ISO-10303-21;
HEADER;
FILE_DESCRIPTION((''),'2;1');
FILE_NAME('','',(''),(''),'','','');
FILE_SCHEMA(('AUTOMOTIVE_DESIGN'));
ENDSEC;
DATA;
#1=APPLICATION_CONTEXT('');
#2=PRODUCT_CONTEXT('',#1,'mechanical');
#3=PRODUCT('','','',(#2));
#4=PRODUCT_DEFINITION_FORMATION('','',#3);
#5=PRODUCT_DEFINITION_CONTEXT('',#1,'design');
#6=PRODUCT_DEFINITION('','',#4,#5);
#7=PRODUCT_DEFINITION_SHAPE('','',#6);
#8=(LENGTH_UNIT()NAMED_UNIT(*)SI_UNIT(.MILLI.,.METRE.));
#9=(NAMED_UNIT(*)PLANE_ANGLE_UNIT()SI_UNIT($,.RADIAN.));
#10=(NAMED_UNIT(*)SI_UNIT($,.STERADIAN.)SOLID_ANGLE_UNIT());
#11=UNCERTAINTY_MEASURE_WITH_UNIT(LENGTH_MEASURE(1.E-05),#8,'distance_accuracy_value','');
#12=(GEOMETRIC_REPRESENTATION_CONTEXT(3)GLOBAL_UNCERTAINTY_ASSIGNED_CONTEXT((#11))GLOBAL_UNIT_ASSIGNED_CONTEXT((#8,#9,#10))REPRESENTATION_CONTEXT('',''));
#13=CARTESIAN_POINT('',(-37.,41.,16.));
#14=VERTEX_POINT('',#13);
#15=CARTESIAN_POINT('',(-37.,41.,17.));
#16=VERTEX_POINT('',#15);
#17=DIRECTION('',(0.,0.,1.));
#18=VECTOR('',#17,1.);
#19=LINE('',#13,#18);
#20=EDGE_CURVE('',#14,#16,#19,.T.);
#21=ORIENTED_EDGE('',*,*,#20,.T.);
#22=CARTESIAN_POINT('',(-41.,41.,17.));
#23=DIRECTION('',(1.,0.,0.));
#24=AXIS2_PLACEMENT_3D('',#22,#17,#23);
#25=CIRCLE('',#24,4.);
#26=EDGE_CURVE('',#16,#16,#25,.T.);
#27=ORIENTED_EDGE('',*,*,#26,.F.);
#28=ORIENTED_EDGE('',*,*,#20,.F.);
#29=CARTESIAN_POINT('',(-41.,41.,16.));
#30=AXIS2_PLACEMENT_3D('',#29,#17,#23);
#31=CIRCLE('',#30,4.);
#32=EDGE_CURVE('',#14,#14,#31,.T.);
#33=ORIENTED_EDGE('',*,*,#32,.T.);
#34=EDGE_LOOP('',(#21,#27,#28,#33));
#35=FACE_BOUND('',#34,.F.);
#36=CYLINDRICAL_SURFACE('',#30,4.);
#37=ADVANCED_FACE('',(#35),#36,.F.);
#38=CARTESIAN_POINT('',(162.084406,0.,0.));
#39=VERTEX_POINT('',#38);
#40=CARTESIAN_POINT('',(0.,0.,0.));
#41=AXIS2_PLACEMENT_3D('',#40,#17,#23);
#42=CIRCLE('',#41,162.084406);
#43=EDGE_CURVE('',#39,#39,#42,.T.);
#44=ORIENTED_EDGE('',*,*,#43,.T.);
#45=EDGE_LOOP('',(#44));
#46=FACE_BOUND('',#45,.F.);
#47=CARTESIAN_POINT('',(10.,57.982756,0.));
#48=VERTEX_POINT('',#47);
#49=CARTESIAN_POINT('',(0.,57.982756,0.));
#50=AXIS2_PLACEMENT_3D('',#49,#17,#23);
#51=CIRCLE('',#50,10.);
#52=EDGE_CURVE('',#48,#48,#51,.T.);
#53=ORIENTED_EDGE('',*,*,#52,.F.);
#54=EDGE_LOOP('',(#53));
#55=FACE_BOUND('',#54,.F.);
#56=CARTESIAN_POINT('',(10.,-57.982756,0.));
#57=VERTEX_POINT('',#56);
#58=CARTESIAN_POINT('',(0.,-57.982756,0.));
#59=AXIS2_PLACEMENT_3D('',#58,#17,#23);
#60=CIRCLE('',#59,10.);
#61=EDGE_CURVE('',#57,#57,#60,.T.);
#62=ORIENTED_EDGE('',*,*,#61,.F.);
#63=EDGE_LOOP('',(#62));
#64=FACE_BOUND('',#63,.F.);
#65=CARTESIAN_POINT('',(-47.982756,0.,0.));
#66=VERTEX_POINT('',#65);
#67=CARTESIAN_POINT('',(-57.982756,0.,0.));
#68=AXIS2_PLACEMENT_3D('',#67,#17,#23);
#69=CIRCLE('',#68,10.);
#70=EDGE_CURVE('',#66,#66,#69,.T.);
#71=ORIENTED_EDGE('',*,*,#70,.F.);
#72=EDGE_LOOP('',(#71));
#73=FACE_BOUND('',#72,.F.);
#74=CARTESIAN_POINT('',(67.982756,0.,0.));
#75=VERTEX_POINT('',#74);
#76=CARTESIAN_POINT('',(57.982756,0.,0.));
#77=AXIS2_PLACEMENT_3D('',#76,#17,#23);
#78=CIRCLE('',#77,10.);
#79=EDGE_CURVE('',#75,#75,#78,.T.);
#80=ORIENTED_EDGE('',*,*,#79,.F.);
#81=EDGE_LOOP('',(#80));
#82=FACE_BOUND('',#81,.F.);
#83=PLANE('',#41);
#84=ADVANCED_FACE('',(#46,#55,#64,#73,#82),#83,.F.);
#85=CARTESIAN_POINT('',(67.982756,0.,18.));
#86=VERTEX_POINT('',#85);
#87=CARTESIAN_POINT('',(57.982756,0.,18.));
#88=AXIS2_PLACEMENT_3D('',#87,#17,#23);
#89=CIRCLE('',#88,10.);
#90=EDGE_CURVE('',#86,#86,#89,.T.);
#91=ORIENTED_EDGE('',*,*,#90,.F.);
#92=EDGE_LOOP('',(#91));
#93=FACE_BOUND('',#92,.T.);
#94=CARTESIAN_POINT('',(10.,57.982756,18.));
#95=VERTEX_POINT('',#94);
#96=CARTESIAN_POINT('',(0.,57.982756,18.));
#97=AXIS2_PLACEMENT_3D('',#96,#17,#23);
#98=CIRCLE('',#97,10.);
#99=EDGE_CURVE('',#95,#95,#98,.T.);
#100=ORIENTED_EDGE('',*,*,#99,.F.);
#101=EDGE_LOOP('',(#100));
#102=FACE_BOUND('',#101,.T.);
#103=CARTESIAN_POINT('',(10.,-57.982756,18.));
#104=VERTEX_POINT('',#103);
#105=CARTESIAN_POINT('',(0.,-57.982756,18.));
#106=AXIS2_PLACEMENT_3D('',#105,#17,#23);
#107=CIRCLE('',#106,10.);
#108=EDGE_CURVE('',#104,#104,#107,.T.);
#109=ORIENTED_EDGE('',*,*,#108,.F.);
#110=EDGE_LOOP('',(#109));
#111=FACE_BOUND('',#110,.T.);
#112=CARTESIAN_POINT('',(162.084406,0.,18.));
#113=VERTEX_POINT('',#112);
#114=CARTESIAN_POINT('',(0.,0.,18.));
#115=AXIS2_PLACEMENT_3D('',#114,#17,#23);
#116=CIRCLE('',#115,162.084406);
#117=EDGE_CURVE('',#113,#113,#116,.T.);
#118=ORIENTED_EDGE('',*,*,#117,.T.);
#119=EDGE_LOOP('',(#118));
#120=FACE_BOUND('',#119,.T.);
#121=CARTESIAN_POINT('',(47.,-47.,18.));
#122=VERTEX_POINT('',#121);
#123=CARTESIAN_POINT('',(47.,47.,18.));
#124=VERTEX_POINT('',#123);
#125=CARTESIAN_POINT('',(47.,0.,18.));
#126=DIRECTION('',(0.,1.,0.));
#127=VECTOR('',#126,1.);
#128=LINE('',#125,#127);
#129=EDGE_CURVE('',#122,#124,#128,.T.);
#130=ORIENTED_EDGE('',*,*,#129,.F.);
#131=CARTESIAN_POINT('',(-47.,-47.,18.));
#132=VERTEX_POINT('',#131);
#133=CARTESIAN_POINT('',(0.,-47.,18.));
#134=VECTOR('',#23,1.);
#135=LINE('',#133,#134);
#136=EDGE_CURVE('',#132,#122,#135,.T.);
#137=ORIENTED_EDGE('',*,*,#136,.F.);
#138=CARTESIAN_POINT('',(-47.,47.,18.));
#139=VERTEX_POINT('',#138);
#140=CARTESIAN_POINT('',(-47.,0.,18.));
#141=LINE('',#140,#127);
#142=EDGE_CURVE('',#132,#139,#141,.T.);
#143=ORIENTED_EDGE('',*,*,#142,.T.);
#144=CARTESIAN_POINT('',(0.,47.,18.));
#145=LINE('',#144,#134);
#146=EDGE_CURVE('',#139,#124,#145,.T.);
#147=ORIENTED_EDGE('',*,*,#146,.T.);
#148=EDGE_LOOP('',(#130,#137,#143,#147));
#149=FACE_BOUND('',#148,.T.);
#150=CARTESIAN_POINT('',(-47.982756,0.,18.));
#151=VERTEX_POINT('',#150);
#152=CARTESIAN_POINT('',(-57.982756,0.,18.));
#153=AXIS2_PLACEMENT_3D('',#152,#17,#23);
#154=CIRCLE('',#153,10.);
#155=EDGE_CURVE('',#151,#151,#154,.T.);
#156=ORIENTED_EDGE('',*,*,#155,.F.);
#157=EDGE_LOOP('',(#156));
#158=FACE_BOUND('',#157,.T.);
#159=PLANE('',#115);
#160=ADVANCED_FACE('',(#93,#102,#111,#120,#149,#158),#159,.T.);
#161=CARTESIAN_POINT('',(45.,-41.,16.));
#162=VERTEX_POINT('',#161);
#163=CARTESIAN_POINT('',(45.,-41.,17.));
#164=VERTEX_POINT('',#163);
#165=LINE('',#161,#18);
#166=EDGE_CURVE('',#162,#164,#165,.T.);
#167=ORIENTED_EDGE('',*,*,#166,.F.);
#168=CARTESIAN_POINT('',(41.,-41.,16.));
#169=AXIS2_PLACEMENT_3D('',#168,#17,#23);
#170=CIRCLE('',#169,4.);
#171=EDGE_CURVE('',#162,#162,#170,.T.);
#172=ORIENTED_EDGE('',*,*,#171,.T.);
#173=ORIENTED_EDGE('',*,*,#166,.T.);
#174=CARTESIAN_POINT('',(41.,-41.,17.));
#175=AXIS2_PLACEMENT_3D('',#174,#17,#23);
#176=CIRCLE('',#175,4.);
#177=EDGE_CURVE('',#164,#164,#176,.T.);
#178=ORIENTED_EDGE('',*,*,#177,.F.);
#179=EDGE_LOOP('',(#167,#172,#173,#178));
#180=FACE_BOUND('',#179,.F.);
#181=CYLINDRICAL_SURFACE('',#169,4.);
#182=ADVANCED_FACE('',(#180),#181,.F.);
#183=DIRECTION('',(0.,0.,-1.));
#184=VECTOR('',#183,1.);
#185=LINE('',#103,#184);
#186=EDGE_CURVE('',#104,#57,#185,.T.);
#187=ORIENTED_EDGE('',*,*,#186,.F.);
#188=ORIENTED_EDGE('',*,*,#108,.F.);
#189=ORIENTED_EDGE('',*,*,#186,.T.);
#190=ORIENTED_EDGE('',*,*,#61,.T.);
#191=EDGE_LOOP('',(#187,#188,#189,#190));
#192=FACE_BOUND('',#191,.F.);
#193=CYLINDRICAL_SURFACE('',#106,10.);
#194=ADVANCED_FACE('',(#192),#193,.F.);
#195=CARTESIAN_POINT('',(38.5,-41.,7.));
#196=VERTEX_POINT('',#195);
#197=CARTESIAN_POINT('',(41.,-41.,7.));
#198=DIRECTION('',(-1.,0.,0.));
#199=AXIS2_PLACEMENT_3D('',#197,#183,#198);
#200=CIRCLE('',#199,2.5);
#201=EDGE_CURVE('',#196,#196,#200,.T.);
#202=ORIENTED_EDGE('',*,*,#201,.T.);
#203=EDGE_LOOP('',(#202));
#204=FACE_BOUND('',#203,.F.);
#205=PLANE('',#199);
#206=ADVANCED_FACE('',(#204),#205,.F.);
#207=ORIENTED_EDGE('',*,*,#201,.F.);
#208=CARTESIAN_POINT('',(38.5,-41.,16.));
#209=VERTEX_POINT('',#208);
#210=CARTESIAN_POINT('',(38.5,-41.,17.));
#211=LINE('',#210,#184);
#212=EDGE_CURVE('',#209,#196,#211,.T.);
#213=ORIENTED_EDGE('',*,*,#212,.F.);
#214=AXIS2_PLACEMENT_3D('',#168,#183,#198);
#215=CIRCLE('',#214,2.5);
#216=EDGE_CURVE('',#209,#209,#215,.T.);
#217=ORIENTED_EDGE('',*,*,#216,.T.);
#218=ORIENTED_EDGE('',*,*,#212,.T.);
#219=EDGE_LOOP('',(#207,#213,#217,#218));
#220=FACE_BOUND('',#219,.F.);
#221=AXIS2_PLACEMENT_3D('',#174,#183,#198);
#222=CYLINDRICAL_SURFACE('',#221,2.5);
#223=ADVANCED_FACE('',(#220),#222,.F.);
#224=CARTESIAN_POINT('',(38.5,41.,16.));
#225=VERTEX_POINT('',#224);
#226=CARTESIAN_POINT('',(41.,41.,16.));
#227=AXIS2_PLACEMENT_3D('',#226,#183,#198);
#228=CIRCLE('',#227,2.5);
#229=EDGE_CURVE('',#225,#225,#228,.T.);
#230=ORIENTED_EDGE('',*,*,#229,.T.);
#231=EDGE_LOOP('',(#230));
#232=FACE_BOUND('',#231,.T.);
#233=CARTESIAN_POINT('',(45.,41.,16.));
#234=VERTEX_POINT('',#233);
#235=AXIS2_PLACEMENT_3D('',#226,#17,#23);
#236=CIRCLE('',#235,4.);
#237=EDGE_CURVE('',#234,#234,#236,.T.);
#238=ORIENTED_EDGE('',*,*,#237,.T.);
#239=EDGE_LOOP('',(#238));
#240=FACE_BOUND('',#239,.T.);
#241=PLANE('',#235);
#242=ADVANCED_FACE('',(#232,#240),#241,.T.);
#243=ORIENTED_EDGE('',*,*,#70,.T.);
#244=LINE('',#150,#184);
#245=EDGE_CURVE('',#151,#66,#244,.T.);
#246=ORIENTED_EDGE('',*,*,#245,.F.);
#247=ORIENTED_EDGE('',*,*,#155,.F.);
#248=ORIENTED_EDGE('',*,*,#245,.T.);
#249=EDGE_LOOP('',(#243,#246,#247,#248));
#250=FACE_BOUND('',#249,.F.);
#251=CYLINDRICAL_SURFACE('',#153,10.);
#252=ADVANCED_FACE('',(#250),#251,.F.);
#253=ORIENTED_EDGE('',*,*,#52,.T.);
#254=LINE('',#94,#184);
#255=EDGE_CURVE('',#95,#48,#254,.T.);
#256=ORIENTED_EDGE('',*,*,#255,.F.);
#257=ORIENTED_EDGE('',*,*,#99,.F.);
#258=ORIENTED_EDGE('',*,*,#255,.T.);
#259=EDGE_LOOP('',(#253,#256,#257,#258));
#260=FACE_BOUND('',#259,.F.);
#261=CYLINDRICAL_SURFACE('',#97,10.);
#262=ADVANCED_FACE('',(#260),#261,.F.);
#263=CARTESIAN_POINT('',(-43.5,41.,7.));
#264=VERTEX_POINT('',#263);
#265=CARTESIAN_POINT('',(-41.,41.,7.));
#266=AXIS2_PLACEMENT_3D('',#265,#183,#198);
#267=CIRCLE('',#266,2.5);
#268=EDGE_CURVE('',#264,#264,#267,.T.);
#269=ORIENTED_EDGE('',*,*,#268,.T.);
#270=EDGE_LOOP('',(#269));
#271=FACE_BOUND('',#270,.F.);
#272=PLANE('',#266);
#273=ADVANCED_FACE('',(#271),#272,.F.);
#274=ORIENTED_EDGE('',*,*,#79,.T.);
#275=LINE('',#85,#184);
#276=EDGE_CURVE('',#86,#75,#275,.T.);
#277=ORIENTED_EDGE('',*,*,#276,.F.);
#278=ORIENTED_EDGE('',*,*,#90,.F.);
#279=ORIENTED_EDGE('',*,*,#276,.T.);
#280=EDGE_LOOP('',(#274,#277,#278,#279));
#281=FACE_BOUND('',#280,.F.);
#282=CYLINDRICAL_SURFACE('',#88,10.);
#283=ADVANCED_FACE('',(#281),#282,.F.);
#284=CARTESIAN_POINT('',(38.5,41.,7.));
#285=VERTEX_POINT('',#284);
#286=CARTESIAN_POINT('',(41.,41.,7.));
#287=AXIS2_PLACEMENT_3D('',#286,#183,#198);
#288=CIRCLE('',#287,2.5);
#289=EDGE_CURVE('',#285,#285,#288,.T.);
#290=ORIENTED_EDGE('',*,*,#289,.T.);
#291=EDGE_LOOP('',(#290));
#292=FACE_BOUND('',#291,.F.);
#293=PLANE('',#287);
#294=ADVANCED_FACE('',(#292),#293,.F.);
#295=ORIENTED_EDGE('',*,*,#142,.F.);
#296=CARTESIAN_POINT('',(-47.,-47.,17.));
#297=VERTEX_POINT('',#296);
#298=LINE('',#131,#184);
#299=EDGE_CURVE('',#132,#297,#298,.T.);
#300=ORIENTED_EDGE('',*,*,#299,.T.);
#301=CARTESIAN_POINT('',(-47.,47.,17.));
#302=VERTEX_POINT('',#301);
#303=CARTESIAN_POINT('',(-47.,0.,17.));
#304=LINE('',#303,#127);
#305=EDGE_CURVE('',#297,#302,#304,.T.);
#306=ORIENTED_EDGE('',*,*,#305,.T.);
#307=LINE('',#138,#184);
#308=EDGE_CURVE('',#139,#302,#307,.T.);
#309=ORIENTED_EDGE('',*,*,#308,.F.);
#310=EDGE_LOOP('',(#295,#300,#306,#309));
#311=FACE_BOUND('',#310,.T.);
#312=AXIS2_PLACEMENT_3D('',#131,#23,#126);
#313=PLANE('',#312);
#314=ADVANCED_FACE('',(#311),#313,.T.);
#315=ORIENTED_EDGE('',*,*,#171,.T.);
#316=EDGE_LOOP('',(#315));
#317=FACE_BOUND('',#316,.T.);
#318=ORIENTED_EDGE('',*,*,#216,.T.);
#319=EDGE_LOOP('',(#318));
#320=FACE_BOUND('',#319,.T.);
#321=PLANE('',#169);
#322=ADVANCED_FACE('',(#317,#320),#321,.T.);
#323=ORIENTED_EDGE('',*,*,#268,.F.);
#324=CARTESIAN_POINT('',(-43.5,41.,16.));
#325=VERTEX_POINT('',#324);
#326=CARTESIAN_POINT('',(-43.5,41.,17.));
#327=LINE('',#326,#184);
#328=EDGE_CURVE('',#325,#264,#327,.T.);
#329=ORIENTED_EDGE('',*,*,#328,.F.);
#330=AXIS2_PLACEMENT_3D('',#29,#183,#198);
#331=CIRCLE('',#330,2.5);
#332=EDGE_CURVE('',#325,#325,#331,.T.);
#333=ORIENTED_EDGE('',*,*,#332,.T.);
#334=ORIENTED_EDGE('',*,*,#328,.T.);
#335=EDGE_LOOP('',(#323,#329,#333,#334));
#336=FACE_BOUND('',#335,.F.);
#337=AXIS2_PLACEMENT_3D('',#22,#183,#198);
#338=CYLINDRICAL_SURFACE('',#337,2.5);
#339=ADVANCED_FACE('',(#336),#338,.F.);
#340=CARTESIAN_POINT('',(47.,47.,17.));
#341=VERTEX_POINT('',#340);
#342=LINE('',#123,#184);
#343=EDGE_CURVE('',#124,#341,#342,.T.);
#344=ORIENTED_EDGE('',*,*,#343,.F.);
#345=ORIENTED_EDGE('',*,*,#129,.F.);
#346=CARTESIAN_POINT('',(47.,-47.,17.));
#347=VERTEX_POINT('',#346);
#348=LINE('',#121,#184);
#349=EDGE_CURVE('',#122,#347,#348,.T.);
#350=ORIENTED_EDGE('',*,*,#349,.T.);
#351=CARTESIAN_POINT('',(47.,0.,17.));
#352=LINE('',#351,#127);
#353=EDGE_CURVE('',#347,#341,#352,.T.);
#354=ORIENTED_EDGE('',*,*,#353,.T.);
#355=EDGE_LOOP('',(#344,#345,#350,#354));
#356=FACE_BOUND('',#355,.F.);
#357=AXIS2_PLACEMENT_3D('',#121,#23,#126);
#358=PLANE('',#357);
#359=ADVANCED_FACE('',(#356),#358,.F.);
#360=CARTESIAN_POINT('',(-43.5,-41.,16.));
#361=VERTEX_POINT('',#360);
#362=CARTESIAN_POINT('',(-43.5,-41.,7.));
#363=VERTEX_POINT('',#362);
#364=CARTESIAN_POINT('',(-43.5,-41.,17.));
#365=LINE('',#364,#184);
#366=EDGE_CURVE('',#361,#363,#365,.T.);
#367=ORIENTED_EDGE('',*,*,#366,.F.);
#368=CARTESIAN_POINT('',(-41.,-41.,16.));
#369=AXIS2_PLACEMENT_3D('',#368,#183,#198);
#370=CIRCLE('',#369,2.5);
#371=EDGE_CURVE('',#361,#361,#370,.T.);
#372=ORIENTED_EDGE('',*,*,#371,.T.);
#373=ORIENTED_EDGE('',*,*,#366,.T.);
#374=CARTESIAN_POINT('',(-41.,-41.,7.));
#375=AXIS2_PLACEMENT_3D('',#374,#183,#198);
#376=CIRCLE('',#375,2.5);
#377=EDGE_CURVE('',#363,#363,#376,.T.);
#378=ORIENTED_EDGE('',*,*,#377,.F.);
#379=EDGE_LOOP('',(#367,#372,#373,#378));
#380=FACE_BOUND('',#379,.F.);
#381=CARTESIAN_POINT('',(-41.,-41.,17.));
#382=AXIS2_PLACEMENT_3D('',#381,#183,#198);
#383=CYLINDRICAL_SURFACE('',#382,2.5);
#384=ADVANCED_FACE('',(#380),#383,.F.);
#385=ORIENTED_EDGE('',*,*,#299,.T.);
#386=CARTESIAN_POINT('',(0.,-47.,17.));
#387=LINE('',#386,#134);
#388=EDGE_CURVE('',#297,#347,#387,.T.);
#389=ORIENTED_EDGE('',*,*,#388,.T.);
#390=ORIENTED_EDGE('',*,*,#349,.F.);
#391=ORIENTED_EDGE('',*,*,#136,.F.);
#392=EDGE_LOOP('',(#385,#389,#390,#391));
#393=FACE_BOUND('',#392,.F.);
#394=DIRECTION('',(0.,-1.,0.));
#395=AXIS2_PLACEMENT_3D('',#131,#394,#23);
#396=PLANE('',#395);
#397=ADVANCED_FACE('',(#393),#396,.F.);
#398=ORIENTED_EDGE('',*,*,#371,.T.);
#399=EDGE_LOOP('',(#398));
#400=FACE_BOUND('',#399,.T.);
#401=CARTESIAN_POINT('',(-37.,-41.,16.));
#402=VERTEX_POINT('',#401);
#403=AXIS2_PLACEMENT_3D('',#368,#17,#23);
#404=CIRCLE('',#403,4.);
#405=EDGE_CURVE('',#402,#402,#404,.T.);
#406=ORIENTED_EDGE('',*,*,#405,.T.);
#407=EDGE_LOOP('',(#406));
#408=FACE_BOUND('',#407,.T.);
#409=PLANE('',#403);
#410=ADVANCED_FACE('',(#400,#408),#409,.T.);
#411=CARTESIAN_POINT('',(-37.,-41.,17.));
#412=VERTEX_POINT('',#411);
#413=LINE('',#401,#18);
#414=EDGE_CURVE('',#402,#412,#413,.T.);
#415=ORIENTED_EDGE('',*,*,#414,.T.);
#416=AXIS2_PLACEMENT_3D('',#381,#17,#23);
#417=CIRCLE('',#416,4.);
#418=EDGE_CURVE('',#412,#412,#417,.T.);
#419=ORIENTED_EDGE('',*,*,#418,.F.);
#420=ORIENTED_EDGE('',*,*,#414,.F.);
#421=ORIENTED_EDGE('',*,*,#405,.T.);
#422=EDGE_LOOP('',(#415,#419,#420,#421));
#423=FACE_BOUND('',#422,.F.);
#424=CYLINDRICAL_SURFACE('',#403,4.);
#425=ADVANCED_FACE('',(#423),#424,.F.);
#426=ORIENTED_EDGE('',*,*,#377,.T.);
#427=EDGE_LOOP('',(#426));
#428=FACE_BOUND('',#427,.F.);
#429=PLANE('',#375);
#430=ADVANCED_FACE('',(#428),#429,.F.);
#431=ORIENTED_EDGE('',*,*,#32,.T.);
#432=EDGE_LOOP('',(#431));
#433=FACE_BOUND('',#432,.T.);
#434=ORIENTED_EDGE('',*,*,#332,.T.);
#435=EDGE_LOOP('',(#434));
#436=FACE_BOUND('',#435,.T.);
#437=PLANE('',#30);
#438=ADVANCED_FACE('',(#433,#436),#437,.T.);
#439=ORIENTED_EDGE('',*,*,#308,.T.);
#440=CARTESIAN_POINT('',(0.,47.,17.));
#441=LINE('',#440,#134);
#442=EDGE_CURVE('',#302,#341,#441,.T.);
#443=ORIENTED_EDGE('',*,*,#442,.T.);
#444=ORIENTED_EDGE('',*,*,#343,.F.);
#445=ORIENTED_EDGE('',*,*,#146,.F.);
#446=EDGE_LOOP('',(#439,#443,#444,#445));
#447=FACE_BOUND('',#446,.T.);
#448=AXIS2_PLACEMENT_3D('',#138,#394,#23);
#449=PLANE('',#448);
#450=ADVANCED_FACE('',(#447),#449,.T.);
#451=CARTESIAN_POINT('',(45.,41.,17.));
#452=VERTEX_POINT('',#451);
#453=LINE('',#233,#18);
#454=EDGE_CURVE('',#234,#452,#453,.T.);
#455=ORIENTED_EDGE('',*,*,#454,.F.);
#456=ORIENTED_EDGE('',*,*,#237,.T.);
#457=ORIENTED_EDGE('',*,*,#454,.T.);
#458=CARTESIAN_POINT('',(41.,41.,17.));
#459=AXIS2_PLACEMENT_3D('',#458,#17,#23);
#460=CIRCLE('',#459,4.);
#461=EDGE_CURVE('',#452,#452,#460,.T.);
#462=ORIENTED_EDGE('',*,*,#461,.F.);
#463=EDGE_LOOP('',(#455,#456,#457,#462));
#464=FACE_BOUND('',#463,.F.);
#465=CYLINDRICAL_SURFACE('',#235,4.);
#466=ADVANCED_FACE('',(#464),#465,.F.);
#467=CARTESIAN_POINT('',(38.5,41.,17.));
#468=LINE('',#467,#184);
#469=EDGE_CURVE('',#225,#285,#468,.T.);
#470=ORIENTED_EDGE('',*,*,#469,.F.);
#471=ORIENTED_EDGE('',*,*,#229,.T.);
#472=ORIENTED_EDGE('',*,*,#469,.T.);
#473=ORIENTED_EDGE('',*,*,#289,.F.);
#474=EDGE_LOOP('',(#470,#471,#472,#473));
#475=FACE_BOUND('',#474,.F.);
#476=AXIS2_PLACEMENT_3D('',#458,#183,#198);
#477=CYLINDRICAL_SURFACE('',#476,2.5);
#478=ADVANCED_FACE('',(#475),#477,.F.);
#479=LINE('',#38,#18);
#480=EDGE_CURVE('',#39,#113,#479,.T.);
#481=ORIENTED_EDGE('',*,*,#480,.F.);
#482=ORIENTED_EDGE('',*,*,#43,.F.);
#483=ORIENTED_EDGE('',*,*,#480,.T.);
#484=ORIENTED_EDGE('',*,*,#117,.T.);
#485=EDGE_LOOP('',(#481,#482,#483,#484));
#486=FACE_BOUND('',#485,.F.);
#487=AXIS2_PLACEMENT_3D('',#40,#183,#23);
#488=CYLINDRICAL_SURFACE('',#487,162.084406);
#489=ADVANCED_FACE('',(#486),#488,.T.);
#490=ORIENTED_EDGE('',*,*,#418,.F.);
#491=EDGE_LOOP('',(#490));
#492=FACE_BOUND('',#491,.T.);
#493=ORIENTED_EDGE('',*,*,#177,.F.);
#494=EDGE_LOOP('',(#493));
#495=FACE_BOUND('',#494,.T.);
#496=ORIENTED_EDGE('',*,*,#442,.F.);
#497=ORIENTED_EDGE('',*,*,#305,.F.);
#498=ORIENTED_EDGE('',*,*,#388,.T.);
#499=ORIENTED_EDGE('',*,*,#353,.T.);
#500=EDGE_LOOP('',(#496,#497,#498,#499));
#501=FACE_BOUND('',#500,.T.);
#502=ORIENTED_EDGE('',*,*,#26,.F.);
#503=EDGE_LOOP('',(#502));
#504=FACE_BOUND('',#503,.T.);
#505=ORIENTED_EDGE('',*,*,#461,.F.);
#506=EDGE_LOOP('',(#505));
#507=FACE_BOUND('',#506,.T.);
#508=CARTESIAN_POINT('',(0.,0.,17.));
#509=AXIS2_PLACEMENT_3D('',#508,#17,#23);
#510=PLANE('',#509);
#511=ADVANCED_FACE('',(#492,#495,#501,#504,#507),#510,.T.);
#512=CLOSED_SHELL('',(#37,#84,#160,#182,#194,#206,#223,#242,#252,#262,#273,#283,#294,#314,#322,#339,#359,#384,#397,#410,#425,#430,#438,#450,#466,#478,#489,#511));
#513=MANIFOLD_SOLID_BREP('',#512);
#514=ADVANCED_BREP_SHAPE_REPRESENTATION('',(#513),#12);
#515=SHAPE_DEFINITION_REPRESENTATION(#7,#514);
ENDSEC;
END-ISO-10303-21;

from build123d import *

# Parameters (mm, degrees)
SKETCH003_R      = 162.0844056183
PAD002_DEPTH     = 18
SKETCH009_W      = 94
SKETCH009_H      = 94
POCKET002_DEPTH  = 1
HOLE_D           = 5
HOLE_DEPTH       = 10
HOLE_CBORE_D     = 8
HOLE_CBORE_DEPTH = 1
SKETCH011_R      = 10
POCKET003_DEPTH  = 18.001


with BuildPart() as part:
    # Sketch003 → Pad002 (new body)
    with BuildSketch(Plane.XY):
        Circle(SKETCH003_R)
    extrude(amount=PAD002_DEPTH)

    # Sketch009 (on Face3 of Pad002) → Pocket002 (cut)
    with BuildSketch(Plane.XY.offset(18)):
        Rectangle(SKETCH009_W, SKETCH009_H)
    extrude(amount=-POCKET002_DEPTH, mode=Mode.SUBTRACT)

    # Hole
    with Locations(Plane.XY.offset(17)):
        with Locations((-41, 41), (41, 41), (-41, -41), (41, -41)):
            CounterBoreHole(HOLE_D / 2, HOLE_CBORE_D / 2, HOLE_CBORE_DEPTH, depth=HOLE_DEPTH)

    # Sketch011 (on Face3 of Hole) → Pocket003 (cut, through all)
    with BuildSketch(Plane.XY.offset(18)):
        with Locations((-57.9827560573, 0)):
            Circle(SKETCH011_R)
        with Locations((0, 57.9827560573)):
            Circle(SKETCH011_R)
        with Locations((57.9827560573, 0)):
            Circle(SKETCH011_R)
        with Locations((0, -57.9827560573)):
            Circle(SKETCH011_R)
    extrude(amount=-POCKET003_DEPTH, mode=Mode.SUBTRACT)


solid = part.part
